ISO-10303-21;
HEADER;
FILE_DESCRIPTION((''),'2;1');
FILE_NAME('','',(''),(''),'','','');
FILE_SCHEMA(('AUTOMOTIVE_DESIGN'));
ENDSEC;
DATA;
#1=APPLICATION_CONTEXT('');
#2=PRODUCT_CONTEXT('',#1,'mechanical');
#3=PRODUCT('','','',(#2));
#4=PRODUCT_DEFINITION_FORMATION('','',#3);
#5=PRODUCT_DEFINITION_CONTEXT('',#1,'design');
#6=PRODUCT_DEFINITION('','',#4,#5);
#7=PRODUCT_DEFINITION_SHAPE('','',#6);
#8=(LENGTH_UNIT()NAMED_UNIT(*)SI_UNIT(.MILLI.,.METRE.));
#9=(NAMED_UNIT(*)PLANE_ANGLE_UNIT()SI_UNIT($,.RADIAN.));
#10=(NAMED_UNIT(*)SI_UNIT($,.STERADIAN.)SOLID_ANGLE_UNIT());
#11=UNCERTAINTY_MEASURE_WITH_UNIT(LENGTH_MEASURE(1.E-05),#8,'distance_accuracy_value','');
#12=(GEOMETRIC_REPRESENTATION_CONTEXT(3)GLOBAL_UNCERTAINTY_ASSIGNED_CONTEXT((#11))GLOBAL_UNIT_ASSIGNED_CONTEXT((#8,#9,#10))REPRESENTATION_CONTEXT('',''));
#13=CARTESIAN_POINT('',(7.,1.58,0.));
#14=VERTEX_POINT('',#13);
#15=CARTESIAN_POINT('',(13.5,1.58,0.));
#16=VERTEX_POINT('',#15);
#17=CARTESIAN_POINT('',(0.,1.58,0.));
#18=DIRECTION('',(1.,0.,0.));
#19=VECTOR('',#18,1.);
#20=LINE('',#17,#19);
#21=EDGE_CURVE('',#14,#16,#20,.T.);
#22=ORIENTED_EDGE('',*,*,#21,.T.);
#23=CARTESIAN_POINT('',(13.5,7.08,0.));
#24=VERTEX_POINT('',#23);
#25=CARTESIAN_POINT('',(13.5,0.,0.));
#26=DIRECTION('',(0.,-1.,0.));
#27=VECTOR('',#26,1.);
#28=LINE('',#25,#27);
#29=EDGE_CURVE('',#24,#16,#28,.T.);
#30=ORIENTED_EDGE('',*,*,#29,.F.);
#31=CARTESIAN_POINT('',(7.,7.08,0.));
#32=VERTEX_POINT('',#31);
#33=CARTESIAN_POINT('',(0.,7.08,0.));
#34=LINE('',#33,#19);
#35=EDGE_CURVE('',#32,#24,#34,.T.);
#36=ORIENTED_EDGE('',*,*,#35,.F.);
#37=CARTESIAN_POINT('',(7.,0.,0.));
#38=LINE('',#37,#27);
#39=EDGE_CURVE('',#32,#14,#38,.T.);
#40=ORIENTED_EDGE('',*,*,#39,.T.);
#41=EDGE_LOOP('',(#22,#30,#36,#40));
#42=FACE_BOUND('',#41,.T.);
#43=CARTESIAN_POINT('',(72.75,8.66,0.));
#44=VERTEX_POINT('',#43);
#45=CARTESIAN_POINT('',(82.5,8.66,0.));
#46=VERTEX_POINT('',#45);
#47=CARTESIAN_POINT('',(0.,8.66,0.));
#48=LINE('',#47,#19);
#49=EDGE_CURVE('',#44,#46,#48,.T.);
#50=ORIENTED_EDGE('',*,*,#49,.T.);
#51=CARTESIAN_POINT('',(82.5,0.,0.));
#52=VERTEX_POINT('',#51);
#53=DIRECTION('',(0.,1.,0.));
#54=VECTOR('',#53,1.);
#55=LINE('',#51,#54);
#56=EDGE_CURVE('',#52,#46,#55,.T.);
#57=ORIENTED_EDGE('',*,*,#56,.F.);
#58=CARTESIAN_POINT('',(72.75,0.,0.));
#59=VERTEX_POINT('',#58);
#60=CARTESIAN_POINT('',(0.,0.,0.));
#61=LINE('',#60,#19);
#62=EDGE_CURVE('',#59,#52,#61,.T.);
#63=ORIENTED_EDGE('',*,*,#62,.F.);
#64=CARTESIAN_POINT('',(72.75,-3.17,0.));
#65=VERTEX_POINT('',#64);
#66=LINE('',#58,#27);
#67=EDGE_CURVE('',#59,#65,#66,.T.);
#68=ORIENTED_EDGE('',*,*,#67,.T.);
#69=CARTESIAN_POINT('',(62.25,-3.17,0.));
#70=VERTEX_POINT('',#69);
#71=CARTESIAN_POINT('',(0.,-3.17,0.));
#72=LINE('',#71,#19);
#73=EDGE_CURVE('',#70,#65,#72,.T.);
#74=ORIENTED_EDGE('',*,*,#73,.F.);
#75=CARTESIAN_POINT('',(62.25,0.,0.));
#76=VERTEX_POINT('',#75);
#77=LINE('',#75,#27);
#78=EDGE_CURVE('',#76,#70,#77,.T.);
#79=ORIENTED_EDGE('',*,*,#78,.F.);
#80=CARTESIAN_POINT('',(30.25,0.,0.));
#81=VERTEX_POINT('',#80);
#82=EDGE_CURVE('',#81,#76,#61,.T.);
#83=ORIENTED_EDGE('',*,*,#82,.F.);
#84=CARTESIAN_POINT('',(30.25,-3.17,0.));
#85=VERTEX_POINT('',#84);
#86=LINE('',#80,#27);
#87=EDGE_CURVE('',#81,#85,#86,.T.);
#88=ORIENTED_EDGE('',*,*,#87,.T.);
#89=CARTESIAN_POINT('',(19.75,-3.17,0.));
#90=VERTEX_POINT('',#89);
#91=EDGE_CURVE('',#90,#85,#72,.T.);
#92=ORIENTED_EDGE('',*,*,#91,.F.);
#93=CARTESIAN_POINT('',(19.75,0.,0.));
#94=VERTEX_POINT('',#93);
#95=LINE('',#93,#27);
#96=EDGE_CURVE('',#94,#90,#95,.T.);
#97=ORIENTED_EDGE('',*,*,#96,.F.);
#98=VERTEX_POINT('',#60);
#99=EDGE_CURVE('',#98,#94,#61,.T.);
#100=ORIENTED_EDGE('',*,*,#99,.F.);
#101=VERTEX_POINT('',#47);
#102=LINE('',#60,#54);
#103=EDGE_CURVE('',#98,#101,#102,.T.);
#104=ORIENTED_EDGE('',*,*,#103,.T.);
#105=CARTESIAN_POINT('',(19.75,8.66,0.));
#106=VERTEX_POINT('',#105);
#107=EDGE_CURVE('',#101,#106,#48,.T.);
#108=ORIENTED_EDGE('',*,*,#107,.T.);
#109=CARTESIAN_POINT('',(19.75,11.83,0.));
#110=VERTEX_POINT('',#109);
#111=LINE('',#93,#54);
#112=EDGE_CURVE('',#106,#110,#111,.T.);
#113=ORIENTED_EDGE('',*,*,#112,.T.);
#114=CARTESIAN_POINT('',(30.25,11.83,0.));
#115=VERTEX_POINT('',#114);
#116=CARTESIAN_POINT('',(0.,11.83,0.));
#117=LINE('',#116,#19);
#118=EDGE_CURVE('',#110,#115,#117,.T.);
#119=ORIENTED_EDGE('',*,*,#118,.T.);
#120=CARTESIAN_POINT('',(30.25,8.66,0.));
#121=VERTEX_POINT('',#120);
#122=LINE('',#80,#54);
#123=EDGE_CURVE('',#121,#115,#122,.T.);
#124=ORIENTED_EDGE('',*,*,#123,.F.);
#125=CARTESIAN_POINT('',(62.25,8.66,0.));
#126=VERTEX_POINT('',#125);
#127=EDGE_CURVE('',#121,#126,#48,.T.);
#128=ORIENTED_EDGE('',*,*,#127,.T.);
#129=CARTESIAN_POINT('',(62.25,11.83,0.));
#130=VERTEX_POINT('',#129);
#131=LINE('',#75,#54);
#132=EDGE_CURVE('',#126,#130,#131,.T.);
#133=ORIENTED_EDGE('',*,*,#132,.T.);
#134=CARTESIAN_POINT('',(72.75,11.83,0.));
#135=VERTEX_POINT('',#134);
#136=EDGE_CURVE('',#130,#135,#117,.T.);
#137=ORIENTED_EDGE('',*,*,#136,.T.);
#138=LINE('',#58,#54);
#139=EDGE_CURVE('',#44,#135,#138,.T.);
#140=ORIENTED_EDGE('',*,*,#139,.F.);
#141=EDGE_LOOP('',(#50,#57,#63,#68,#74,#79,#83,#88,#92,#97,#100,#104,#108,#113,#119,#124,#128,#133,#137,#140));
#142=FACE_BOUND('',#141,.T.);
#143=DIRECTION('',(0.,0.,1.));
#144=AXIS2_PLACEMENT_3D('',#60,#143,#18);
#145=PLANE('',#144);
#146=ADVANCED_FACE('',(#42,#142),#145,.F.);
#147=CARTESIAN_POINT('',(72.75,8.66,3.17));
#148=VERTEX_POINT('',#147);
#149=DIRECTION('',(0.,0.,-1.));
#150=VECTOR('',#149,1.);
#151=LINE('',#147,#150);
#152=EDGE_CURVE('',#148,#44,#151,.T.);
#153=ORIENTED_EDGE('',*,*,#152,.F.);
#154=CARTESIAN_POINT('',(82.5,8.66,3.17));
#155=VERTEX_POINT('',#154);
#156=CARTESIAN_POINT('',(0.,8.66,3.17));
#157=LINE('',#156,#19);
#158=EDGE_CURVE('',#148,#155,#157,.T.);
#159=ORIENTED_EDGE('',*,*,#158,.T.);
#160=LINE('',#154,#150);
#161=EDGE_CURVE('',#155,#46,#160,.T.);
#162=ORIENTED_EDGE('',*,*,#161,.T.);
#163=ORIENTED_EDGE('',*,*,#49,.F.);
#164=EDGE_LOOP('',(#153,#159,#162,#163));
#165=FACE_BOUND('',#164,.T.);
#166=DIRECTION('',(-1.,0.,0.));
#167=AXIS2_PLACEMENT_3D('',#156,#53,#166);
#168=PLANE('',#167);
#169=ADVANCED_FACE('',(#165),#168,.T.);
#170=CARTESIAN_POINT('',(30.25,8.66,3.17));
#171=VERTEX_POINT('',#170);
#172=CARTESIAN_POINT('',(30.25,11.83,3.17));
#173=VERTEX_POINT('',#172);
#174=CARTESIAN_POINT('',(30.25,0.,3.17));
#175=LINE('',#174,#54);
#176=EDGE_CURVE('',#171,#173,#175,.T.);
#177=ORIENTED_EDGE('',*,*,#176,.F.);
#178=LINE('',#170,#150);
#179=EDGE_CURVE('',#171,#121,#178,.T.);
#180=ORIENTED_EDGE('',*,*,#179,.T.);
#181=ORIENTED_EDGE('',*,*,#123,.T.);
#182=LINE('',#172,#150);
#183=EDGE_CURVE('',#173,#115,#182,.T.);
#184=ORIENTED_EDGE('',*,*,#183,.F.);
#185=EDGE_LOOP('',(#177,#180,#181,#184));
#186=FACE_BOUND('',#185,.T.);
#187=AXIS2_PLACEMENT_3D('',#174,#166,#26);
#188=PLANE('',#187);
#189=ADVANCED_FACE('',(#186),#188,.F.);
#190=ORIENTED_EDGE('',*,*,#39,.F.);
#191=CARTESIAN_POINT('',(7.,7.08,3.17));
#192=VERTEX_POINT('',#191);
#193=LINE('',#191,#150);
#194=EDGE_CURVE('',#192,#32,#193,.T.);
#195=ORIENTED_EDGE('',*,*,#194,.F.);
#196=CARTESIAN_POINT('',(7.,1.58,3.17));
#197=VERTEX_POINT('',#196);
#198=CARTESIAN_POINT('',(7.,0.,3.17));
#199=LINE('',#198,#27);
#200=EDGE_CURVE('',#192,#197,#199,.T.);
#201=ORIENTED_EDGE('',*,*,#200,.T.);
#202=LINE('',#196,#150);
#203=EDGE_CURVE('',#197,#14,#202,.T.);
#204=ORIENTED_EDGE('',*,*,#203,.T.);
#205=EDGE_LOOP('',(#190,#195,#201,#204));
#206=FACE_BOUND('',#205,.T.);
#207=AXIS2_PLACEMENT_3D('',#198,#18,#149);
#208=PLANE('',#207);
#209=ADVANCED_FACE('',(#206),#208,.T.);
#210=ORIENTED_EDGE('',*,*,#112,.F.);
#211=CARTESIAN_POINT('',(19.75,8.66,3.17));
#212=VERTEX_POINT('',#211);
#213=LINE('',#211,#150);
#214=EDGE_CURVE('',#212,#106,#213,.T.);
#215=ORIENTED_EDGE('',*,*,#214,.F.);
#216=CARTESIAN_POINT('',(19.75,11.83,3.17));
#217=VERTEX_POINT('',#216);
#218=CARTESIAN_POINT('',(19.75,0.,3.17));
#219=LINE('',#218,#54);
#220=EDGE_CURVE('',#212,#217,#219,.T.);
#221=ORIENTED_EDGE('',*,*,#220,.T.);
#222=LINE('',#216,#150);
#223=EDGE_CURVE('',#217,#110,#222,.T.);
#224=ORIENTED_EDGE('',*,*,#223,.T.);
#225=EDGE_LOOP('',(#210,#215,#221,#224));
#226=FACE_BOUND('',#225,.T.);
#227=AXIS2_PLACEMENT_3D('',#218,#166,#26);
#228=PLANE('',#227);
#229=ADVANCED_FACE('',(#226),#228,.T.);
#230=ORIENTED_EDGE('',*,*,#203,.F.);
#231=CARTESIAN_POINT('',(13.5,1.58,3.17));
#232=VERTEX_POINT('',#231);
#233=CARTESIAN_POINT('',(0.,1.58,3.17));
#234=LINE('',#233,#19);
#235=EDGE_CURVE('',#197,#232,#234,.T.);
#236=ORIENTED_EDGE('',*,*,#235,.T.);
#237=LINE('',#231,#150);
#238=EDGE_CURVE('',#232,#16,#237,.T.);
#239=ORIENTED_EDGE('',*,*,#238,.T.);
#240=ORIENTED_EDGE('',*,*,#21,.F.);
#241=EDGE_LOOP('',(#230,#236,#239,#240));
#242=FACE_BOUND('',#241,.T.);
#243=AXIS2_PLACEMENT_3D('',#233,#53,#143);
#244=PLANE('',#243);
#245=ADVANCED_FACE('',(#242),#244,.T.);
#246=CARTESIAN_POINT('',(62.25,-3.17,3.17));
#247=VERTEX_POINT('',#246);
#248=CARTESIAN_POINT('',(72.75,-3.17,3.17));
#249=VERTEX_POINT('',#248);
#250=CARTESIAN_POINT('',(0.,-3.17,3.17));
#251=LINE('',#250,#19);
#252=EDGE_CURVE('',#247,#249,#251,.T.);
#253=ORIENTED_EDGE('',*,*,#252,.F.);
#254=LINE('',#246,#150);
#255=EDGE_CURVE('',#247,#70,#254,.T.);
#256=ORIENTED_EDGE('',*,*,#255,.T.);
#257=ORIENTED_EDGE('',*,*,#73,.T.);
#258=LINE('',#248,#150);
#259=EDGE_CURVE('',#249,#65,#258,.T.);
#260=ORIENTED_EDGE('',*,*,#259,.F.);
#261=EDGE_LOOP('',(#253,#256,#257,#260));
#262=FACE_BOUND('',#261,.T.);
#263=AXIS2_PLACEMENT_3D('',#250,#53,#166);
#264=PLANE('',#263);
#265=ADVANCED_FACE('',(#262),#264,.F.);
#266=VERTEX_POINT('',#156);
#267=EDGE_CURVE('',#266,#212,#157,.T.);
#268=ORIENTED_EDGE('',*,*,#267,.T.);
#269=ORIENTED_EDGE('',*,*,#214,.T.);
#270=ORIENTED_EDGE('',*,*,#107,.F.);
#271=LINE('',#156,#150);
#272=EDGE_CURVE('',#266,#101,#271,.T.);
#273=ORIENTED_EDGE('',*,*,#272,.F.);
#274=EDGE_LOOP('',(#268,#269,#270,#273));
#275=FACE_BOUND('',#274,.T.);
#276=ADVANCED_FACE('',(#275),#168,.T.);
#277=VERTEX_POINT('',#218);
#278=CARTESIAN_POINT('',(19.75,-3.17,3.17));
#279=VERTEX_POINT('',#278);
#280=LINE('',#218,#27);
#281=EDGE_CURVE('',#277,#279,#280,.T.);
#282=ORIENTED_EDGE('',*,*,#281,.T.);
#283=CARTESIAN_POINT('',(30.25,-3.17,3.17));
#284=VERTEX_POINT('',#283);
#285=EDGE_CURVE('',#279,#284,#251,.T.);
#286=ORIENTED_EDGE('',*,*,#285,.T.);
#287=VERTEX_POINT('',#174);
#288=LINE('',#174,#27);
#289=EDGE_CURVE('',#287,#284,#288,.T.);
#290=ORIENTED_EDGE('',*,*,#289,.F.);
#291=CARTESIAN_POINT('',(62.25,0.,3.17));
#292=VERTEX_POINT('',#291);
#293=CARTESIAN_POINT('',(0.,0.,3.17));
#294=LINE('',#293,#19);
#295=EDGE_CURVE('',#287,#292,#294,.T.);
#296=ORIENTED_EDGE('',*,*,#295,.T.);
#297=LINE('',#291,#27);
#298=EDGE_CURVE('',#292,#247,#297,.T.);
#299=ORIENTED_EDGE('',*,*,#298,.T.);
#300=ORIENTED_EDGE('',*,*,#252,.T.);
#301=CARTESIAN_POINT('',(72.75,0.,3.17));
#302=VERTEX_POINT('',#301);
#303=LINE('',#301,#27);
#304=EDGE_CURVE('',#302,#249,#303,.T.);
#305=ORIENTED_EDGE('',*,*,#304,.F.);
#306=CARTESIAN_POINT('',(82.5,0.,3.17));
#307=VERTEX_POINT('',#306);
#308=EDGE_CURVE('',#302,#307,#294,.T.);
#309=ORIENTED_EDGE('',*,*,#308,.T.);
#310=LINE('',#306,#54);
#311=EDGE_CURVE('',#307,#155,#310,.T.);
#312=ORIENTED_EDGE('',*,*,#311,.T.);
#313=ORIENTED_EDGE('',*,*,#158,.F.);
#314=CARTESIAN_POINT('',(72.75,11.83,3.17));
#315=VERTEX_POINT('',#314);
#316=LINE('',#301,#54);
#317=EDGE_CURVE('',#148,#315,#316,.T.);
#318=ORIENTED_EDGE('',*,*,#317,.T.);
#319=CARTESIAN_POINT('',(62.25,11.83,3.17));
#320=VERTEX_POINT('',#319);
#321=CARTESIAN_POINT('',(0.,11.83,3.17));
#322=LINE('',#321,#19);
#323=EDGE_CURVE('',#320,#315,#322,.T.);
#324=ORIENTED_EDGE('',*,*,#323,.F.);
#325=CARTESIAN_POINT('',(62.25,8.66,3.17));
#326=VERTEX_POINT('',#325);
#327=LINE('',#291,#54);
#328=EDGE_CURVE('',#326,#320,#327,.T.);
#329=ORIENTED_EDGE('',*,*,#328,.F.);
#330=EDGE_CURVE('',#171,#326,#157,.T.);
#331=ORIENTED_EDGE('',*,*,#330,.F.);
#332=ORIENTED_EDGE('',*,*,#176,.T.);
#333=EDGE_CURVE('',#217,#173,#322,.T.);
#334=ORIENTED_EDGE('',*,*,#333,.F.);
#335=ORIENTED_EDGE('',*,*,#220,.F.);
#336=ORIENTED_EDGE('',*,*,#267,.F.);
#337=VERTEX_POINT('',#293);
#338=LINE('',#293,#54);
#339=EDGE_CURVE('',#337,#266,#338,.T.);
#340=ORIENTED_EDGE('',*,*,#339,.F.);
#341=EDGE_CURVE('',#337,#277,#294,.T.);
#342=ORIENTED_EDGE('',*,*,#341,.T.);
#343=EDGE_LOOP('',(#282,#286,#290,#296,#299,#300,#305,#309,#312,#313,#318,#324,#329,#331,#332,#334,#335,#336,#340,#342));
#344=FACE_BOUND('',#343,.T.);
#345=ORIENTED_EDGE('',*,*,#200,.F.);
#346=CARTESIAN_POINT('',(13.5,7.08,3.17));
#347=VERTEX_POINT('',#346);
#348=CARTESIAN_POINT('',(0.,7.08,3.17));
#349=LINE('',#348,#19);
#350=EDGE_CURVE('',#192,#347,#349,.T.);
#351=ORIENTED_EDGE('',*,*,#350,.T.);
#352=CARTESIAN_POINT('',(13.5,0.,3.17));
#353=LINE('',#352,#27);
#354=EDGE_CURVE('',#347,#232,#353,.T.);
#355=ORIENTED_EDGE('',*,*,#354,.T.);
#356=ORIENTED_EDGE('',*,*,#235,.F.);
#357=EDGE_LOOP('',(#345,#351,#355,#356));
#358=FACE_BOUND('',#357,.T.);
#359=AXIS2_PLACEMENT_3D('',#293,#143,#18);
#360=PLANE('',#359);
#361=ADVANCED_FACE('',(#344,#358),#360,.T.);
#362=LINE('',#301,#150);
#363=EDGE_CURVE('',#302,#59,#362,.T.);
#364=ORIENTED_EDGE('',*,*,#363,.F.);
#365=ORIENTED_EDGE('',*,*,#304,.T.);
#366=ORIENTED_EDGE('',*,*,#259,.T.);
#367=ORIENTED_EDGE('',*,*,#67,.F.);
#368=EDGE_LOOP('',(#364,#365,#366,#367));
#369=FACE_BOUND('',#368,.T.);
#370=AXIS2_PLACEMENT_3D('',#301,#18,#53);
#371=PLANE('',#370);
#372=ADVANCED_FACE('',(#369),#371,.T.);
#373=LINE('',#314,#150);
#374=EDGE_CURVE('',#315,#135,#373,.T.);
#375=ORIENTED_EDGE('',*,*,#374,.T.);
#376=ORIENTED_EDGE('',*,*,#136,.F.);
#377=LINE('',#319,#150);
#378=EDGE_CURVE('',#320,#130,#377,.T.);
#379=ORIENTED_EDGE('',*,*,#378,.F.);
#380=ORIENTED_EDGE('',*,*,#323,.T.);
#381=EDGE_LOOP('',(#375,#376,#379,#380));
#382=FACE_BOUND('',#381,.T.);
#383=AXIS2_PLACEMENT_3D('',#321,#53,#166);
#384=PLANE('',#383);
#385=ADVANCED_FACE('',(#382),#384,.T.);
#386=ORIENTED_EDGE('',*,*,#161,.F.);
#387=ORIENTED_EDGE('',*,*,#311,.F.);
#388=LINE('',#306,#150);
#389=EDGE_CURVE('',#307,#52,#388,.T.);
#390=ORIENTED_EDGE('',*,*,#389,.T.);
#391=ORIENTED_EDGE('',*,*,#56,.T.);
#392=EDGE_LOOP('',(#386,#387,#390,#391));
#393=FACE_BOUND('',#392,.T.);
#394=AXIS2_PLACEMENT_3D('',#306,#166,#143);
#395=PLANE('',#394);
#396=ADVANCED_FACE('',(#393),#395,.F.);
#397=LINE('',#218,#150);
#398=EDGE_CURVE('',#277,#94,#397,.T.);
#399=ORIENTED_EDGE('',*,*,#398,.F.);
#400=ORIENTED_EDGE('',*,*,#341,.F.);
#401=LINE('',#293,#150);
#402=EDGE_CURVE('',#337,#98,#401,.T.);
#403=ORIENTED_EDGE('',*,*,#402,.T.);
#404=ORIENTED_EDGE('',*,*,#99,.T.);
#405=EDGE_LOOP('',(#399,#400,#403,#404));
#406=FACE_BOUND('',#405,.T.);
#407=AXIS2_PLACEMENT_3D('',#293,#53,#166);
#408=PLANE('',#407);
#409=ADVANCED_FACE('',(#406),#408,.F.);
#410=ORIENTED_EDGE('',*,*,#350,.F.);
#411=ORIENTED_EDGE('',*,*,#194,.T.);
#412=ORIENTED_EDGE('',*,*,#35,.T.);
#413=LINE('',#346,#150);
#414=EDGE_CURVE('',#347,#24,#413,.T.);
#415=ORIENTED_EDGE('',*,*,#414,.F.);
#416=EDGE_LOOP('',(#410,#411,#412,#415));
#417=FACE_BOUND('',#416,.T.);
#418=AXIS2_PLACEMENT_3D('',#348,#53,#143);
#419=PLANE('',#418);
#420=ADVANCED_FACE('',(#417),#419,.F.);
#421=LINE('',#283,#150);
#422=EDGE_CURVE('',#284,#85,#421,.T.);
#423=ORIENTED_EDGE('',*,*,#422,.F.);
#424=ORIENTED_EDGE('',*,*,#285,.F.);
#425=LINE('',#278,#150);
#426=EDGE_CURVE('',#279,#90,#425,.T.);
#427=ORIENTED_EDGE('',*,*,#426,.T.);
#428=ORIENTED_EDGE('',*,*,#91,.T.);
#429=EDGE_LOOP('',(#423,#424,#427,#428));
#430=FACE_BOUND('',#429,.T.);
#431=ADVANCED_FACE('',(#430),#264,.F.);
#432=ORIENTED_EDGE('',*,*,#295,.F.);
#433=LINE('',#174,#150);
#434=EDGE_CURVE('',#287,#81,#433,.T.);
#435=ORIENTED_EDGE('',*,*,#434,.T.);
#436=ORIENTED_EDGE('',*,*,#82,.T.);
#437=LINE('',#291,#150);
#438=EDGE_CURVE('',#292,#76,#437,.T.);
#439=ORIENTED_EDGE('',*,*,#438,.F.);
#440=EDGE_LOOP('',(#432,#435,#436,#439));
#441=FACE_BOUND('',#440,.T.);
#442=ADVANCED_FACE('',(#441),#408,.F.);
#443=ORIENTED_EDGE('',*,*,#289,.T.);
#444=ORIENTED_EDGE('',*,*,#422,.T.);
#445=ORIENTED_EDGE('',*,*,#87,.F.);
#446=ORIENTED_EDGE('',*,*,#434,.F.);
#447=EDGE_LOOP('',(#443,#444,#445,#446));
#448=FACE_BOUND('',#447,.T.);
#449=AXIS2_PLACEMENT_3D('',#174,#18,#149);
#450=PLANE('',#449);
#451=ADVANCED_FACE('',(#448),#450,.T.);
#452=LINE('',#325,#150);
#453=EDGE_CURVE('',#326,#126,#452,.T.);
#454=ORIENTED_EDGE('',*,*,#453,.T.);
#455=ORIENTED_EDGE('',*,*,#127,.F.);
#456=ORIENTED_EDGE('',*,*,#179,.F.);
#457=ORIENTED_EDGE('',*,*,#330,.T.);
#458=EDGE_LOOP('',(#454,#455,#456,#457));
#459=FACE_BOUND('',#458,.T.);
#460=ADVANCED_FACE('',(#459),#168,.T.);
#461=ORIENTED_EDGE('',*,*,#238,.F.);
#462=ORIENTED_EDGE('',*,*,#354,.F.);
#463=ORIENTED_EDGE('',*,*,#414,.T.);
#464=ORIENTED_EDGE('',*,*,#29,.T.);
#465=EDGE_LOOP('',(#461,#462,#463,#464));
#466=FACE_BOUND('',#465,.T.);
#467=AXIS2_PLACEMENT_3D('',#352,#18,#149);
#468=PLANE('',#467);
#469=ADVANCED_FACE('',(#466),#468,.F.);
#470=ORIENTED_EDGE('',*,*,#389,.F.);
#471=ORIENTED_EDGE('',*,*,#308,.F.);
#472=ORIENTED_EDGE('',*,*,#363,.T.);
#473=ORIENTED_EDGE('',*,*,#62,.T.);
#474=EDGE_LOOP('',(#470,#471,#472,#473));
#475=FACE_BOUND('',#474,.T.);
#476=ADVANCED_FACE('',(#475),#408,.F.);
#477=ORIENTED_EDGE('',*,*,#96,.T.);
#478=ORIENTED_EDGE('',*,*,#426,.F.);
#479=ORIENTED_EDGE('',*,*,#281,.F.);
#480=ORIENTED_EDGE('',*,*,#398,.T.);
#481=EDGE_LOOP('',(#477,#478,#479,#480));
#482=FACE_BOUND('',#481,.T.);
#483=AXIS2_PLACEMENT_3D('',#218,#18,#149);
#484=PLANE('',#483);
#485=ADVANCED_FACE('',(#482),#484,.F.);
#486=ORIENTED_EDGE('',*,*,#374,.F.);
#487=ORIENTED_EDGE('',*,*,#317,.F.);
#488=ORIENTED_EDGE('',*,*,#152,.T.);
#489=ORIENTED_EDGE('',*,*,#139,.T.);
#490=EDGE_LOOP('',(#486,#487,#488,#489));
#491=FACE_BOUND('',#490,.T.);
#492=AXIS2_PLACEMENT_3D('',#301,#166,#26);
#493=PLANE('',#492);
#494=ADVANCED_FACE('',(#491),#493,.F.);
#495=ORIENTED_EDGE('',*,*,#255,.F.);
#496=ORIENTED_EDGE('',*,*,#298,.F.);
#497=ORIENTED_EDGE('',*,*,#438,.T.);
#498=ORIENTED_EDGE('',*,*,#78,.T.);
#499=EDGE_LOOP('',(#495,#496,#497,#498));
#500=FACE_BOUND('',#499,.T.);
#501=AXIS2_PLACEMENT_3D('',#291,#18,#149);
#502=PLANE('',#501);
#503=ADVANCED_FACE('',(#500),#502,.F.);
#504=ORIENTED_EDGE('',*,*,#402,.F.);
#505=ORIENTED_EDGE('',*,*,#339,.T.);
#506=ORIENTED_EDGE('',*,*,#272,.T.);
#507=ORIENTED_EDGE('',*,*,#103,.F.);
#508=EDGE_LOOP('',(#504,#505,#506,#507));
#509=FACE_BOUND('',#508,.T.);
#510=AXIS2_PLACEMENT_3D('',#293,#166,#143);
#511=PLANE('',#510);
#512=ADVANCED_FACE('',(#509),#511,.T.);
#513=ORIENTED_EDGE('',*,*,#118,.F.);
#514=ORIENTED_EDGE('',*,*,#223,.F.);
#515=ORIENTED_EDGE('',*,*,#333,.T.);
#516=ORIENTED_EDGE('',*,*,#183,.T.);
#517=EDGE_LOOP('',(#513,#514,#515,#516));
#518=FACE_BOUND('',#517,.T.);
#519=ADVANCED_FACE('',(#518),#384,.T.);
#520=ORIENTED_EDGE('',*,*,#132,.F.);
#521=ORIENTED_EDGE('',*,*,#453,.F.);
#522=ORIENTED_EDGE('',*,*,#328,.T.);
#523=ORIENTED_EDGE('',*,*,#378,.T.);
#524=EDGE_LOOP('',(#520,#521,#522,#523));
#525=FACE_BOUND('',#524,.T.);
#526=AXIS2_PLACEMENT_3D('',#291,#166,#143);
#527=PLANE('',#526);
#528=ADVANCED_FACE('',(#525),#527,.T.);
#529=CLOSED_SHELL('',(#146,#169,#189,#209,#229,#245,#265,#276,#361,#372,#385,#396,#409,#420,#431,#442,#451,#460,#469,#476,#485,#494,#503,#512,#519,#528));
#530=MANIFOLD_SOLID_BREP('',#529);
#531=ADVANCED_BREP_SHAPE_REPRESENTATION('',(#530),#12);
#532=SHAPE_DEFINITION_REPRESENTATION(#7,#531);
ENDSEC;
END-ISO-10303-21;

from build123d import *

# Parameters (mm, degrees)
SKETCH1_W           = 6.5
SKETCH1_H           = 5.5
BOSS_EXTRUDE1_DEPTH = 3.17


with BuildPart() as part:
    # Sketch1 → Boss-Extrude1 (new body)
    with BuildSketch(Plane.XY):
        Polygon((0, 8.66), (0, 0), (19.75, 0), (19.75, -3.17), (30.25, -3.17), (30.25, 0), (62.25, 0), (62.25, -3.17), (72.75, -3.17), (72.75, 0), (82.5, 0), (82.5, 8.66), (72.75, 8.66), (72.75, 11.83), (62.25, 11.83), (62.25, 8.66), (30.25, 8.66), (30.25, 11.83), (19.75, 11.83), (19.75, 8.66), align=None)
        with Locations((10.25, 4.33)):
            Rectangle(SKETCH1_W, SKETCH1_H, mode=Mode.SUBTRACT)
    extrude(amount=BOSS_EXTRUDE1_DEPTH)


solid = part.part
